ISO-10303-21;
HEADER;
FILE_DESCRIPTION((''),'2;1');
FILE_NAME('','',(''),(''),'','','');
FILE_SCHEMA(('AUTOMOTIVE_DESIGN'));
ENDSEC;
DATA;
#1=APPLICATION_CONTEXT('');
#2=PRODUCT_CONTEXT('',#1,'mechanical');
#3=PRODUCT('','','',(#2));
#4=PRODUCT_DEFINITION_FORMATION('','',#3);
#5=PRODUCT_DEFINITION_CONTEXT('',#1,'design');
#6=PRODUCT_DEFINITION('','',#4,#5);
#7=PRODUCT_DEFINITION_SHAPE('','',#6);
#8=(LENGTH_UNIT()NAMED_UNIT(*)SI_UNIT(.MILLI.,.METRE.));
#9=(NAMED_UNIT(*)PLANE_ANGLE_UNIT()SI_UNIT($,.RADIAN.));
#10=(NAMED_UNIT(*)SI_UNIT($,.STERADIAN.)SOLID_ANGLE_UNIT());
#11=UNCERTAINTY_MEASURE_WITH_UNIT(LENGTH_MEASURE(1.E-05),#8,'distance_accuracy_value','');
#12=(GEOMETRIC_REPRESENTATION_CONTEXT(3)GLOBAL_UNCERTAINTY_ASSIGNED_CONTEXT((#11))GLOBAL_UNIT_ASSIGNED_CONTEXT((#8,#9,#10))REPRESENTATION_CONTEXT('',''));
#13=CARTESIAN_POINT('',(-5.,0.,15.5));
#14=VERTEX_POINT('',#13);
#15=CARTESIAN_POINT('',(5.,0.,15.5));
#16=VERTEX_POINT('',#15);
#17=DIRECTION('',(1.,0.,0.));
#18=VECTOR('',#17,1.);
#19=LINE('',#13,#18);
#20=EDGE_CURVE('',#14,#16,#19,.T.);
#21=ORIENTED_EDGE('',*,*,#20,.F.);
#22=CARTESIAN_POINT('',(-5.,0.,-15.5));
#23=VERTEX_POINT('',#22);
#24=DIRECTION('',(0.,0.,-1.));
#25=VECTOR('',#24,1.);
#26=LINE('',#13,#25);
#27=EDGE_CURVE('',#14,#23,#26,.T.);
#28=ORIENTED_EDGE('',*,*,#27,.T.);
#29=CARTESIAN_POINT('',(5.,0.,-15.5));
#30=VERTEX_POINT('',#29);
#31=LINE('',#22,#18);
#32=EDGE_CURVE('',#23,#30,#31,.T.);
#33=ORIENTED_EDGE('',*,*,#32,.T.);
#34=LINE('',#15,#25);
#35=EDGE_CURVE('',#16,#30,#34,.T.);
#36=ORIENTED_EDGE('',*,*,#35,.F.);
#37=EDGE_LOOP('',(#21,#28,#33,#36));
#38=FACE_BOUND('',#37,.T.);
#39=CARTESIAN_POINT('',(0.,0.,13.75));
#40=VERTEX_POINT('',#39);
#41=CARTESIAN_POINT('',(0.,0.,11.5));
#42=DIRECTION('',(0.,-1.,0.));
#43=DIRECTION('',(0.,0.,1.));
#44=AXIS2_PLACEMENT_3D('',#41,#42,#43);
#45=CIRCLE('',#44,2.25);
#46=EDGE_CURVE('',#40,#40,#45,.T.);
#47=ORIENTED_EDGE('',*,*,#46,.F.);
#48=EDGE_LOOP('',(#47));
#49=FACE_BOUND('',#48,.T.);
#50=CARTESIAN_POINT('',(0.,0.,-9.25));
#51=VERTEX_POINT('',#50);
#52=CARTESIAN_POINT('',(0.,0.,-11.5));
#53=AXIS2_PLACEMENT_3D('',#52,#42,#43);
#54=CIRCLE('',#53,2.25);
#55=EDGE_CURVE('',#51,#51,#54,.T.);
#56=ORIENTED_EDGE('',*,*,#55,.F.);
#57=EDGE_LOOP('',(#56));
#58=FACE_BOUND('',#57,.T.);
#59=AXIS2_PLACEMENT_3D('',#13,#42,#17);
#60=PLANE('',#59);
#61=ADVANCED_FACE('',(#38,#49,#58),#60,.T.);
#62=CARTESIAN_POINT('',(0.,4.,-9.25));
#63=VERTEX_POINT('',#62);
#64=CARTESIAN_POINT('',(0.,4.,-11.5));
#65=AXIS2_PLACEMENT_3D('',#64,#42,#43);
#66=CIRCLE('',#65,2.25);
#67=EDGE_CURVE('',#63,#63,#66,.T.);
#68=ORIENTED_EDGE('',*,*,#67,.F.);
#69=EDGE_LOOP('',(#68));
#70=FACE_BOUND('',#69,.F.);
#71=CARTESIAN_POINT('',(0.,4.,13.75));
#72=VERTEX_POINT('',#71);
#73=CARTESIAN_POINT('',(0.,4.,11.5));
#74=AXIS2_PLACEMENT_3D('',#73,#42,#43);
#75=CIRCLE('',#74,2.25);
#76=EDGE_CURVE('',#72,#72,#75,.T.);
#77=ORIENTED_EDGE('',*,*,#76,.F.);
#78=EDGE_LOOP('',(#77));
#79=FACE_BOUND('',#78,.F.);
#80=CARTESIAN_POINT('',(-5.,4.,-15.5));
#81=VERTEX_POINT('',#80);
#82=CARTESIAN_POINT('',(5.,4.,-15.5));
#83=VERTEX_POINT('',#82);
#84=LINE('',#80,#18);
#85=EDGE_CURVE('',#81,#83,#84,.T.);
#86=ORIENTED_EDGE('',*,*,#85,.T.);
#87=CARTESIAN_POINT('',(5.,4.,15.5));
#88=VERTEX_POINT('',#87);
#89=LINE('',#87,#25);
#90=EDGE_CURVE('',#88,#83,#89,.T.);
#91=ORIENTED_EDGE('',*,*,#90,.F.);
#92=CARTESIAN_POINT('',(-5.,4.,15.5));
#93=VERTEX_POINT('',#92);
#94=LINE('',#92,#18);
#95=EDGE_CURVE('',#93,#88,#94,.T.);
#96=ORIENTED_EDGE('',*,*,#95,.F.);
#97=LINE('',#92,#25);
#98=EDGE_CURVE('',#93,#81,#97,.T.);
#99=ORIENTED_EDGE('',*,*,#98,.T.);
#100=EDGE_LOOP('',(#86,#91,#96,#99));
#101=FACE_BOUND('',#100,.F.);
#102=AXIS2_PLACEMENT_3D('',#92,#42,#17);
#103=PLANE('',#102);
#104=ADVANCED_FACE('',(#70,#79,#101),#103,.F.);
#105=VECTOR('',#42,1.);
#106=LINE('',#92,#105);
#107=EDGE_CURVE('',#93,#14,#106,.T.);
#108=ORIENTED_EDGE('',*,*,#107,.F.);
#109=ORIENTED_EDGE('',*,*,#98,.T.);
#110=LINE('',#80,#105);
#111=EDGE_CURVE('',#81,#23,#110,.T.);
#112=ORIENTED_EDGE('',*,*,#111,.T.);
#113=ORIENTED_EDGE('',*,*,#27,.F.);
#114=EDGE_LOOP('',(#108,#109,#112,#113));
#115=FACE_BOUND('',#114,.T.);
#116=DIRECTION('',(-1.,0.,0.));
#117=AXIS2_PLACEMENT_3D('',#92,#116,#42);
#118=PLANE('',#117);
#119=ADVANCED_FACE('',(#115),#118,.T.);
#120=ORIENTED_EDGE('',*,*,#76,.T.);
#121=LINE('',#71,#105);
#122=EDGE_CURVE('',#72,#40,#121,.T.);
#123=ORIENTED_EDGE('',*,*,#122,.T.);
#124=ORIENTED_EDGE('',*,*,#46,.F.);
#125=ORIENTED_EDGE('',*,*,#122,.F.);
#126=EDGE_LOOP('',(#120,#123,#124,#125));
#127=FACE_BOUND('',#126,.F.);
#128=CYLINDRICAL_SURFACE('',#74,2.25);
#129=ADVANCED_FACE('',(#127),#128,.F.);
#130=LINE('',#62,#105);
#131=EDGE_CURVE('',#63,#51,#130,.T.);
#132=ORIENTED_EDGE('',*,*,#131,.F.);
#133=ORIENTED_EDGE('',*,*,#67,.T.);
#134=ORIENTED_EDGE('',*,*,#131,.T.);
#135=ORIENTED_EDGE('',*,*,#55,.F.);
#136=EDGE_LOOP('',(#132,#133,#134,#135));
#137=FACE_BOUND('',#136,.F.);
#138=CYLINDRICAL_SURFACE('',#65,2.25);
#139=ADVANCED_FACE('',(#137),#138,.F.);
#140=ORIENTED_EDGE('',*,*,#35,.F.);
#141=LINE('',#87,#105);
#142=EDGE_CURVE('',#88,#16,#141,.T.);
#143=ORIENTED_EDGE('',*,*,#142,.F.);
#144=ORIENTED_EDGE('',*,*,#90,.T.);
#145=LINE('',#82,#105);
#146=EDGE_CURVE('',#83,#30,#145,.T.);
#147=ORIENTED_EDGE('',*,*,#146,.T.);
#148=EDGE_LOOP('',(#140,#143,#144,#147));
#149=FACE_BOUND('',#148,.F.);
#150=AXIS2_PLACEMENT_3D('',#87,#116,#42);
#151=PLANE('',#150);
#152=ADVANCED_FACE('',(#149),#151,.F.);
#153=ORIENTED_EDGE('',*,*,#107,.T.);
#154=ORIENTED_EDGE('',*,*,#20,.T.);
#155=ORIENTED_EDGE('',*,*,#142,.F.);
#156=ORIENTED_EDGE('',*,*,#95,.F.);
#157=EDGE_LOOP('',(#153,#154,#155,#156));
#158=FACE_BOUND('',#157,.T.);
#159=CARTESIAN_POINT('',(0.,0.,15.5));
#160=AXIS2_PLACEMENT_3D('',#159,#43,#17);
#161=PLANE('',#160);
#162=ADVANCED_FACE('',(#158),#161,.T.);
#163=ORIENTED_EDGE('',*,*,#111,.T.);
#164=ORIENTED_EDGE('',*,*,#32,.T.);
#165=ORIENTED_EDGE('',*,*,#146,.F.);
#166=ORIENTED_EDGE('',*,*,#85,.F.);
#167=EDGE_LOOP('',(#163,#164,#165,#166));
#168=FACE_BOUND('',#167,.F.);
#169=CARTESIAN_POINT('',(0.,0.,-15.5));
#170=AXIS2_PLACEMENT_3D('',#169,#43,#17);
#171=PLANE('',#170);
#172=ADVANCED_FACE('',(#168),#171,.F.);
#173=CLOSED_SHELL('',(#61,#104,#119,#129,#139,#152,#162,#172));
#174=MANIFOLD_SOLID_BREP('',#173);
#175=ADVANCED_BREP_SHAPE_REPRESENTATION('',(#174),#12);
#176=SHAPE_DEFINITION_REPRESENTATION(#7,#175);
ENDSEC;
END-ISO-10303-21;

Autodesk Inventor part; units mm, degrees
ref_plane "YZ Plane" through (0, 0, 0) normal (1, 0, 0) x (0, 1, 0)
ref_plane "XZ Plane" through (0, 0, 0) normal (0, 1, 0) x (-1, 0, 0)
ref_plane "Work Plane1" through (0, 0, 15.5) normal (0, 0, 1) x (1, 0, 0)
sketch "Sketch1" plane through (0, 0, 15.5) normal (0, 0, 1) x (1, 0, 0)
  line L0 (5, 4) -> (5, 0)
  line L1 (-5, 4) -> (5, 4)
  line L2 (-5, 0) -> (5, 0)
  line L3 (-5, 4) -> (-5, 0)
extrude "Extrusion1" add sketch "Sketch1" against normal blind 31
hole "Hole2" at (0, 4, -11.5) direction (0, -1, 0) diameter 4.5 depth 4
sketch "Sketch2" plane through (-5, 4, 15.5) normal (0, 1, 0) x (1, 0, 0)
  point P0 (5, 27)
hole "Hole1" at (0, 4, 11.5) direction (0, -1, 0) diameter 4.5 depth 4
sketch "Sketch3" plane through (-5, 4, 15.5) normal (0, 1, 0) x (1, 0, 0)
  point P0 (5, 4)
properties part number "Spreader Belt clamp" material "ASA Plastic"
